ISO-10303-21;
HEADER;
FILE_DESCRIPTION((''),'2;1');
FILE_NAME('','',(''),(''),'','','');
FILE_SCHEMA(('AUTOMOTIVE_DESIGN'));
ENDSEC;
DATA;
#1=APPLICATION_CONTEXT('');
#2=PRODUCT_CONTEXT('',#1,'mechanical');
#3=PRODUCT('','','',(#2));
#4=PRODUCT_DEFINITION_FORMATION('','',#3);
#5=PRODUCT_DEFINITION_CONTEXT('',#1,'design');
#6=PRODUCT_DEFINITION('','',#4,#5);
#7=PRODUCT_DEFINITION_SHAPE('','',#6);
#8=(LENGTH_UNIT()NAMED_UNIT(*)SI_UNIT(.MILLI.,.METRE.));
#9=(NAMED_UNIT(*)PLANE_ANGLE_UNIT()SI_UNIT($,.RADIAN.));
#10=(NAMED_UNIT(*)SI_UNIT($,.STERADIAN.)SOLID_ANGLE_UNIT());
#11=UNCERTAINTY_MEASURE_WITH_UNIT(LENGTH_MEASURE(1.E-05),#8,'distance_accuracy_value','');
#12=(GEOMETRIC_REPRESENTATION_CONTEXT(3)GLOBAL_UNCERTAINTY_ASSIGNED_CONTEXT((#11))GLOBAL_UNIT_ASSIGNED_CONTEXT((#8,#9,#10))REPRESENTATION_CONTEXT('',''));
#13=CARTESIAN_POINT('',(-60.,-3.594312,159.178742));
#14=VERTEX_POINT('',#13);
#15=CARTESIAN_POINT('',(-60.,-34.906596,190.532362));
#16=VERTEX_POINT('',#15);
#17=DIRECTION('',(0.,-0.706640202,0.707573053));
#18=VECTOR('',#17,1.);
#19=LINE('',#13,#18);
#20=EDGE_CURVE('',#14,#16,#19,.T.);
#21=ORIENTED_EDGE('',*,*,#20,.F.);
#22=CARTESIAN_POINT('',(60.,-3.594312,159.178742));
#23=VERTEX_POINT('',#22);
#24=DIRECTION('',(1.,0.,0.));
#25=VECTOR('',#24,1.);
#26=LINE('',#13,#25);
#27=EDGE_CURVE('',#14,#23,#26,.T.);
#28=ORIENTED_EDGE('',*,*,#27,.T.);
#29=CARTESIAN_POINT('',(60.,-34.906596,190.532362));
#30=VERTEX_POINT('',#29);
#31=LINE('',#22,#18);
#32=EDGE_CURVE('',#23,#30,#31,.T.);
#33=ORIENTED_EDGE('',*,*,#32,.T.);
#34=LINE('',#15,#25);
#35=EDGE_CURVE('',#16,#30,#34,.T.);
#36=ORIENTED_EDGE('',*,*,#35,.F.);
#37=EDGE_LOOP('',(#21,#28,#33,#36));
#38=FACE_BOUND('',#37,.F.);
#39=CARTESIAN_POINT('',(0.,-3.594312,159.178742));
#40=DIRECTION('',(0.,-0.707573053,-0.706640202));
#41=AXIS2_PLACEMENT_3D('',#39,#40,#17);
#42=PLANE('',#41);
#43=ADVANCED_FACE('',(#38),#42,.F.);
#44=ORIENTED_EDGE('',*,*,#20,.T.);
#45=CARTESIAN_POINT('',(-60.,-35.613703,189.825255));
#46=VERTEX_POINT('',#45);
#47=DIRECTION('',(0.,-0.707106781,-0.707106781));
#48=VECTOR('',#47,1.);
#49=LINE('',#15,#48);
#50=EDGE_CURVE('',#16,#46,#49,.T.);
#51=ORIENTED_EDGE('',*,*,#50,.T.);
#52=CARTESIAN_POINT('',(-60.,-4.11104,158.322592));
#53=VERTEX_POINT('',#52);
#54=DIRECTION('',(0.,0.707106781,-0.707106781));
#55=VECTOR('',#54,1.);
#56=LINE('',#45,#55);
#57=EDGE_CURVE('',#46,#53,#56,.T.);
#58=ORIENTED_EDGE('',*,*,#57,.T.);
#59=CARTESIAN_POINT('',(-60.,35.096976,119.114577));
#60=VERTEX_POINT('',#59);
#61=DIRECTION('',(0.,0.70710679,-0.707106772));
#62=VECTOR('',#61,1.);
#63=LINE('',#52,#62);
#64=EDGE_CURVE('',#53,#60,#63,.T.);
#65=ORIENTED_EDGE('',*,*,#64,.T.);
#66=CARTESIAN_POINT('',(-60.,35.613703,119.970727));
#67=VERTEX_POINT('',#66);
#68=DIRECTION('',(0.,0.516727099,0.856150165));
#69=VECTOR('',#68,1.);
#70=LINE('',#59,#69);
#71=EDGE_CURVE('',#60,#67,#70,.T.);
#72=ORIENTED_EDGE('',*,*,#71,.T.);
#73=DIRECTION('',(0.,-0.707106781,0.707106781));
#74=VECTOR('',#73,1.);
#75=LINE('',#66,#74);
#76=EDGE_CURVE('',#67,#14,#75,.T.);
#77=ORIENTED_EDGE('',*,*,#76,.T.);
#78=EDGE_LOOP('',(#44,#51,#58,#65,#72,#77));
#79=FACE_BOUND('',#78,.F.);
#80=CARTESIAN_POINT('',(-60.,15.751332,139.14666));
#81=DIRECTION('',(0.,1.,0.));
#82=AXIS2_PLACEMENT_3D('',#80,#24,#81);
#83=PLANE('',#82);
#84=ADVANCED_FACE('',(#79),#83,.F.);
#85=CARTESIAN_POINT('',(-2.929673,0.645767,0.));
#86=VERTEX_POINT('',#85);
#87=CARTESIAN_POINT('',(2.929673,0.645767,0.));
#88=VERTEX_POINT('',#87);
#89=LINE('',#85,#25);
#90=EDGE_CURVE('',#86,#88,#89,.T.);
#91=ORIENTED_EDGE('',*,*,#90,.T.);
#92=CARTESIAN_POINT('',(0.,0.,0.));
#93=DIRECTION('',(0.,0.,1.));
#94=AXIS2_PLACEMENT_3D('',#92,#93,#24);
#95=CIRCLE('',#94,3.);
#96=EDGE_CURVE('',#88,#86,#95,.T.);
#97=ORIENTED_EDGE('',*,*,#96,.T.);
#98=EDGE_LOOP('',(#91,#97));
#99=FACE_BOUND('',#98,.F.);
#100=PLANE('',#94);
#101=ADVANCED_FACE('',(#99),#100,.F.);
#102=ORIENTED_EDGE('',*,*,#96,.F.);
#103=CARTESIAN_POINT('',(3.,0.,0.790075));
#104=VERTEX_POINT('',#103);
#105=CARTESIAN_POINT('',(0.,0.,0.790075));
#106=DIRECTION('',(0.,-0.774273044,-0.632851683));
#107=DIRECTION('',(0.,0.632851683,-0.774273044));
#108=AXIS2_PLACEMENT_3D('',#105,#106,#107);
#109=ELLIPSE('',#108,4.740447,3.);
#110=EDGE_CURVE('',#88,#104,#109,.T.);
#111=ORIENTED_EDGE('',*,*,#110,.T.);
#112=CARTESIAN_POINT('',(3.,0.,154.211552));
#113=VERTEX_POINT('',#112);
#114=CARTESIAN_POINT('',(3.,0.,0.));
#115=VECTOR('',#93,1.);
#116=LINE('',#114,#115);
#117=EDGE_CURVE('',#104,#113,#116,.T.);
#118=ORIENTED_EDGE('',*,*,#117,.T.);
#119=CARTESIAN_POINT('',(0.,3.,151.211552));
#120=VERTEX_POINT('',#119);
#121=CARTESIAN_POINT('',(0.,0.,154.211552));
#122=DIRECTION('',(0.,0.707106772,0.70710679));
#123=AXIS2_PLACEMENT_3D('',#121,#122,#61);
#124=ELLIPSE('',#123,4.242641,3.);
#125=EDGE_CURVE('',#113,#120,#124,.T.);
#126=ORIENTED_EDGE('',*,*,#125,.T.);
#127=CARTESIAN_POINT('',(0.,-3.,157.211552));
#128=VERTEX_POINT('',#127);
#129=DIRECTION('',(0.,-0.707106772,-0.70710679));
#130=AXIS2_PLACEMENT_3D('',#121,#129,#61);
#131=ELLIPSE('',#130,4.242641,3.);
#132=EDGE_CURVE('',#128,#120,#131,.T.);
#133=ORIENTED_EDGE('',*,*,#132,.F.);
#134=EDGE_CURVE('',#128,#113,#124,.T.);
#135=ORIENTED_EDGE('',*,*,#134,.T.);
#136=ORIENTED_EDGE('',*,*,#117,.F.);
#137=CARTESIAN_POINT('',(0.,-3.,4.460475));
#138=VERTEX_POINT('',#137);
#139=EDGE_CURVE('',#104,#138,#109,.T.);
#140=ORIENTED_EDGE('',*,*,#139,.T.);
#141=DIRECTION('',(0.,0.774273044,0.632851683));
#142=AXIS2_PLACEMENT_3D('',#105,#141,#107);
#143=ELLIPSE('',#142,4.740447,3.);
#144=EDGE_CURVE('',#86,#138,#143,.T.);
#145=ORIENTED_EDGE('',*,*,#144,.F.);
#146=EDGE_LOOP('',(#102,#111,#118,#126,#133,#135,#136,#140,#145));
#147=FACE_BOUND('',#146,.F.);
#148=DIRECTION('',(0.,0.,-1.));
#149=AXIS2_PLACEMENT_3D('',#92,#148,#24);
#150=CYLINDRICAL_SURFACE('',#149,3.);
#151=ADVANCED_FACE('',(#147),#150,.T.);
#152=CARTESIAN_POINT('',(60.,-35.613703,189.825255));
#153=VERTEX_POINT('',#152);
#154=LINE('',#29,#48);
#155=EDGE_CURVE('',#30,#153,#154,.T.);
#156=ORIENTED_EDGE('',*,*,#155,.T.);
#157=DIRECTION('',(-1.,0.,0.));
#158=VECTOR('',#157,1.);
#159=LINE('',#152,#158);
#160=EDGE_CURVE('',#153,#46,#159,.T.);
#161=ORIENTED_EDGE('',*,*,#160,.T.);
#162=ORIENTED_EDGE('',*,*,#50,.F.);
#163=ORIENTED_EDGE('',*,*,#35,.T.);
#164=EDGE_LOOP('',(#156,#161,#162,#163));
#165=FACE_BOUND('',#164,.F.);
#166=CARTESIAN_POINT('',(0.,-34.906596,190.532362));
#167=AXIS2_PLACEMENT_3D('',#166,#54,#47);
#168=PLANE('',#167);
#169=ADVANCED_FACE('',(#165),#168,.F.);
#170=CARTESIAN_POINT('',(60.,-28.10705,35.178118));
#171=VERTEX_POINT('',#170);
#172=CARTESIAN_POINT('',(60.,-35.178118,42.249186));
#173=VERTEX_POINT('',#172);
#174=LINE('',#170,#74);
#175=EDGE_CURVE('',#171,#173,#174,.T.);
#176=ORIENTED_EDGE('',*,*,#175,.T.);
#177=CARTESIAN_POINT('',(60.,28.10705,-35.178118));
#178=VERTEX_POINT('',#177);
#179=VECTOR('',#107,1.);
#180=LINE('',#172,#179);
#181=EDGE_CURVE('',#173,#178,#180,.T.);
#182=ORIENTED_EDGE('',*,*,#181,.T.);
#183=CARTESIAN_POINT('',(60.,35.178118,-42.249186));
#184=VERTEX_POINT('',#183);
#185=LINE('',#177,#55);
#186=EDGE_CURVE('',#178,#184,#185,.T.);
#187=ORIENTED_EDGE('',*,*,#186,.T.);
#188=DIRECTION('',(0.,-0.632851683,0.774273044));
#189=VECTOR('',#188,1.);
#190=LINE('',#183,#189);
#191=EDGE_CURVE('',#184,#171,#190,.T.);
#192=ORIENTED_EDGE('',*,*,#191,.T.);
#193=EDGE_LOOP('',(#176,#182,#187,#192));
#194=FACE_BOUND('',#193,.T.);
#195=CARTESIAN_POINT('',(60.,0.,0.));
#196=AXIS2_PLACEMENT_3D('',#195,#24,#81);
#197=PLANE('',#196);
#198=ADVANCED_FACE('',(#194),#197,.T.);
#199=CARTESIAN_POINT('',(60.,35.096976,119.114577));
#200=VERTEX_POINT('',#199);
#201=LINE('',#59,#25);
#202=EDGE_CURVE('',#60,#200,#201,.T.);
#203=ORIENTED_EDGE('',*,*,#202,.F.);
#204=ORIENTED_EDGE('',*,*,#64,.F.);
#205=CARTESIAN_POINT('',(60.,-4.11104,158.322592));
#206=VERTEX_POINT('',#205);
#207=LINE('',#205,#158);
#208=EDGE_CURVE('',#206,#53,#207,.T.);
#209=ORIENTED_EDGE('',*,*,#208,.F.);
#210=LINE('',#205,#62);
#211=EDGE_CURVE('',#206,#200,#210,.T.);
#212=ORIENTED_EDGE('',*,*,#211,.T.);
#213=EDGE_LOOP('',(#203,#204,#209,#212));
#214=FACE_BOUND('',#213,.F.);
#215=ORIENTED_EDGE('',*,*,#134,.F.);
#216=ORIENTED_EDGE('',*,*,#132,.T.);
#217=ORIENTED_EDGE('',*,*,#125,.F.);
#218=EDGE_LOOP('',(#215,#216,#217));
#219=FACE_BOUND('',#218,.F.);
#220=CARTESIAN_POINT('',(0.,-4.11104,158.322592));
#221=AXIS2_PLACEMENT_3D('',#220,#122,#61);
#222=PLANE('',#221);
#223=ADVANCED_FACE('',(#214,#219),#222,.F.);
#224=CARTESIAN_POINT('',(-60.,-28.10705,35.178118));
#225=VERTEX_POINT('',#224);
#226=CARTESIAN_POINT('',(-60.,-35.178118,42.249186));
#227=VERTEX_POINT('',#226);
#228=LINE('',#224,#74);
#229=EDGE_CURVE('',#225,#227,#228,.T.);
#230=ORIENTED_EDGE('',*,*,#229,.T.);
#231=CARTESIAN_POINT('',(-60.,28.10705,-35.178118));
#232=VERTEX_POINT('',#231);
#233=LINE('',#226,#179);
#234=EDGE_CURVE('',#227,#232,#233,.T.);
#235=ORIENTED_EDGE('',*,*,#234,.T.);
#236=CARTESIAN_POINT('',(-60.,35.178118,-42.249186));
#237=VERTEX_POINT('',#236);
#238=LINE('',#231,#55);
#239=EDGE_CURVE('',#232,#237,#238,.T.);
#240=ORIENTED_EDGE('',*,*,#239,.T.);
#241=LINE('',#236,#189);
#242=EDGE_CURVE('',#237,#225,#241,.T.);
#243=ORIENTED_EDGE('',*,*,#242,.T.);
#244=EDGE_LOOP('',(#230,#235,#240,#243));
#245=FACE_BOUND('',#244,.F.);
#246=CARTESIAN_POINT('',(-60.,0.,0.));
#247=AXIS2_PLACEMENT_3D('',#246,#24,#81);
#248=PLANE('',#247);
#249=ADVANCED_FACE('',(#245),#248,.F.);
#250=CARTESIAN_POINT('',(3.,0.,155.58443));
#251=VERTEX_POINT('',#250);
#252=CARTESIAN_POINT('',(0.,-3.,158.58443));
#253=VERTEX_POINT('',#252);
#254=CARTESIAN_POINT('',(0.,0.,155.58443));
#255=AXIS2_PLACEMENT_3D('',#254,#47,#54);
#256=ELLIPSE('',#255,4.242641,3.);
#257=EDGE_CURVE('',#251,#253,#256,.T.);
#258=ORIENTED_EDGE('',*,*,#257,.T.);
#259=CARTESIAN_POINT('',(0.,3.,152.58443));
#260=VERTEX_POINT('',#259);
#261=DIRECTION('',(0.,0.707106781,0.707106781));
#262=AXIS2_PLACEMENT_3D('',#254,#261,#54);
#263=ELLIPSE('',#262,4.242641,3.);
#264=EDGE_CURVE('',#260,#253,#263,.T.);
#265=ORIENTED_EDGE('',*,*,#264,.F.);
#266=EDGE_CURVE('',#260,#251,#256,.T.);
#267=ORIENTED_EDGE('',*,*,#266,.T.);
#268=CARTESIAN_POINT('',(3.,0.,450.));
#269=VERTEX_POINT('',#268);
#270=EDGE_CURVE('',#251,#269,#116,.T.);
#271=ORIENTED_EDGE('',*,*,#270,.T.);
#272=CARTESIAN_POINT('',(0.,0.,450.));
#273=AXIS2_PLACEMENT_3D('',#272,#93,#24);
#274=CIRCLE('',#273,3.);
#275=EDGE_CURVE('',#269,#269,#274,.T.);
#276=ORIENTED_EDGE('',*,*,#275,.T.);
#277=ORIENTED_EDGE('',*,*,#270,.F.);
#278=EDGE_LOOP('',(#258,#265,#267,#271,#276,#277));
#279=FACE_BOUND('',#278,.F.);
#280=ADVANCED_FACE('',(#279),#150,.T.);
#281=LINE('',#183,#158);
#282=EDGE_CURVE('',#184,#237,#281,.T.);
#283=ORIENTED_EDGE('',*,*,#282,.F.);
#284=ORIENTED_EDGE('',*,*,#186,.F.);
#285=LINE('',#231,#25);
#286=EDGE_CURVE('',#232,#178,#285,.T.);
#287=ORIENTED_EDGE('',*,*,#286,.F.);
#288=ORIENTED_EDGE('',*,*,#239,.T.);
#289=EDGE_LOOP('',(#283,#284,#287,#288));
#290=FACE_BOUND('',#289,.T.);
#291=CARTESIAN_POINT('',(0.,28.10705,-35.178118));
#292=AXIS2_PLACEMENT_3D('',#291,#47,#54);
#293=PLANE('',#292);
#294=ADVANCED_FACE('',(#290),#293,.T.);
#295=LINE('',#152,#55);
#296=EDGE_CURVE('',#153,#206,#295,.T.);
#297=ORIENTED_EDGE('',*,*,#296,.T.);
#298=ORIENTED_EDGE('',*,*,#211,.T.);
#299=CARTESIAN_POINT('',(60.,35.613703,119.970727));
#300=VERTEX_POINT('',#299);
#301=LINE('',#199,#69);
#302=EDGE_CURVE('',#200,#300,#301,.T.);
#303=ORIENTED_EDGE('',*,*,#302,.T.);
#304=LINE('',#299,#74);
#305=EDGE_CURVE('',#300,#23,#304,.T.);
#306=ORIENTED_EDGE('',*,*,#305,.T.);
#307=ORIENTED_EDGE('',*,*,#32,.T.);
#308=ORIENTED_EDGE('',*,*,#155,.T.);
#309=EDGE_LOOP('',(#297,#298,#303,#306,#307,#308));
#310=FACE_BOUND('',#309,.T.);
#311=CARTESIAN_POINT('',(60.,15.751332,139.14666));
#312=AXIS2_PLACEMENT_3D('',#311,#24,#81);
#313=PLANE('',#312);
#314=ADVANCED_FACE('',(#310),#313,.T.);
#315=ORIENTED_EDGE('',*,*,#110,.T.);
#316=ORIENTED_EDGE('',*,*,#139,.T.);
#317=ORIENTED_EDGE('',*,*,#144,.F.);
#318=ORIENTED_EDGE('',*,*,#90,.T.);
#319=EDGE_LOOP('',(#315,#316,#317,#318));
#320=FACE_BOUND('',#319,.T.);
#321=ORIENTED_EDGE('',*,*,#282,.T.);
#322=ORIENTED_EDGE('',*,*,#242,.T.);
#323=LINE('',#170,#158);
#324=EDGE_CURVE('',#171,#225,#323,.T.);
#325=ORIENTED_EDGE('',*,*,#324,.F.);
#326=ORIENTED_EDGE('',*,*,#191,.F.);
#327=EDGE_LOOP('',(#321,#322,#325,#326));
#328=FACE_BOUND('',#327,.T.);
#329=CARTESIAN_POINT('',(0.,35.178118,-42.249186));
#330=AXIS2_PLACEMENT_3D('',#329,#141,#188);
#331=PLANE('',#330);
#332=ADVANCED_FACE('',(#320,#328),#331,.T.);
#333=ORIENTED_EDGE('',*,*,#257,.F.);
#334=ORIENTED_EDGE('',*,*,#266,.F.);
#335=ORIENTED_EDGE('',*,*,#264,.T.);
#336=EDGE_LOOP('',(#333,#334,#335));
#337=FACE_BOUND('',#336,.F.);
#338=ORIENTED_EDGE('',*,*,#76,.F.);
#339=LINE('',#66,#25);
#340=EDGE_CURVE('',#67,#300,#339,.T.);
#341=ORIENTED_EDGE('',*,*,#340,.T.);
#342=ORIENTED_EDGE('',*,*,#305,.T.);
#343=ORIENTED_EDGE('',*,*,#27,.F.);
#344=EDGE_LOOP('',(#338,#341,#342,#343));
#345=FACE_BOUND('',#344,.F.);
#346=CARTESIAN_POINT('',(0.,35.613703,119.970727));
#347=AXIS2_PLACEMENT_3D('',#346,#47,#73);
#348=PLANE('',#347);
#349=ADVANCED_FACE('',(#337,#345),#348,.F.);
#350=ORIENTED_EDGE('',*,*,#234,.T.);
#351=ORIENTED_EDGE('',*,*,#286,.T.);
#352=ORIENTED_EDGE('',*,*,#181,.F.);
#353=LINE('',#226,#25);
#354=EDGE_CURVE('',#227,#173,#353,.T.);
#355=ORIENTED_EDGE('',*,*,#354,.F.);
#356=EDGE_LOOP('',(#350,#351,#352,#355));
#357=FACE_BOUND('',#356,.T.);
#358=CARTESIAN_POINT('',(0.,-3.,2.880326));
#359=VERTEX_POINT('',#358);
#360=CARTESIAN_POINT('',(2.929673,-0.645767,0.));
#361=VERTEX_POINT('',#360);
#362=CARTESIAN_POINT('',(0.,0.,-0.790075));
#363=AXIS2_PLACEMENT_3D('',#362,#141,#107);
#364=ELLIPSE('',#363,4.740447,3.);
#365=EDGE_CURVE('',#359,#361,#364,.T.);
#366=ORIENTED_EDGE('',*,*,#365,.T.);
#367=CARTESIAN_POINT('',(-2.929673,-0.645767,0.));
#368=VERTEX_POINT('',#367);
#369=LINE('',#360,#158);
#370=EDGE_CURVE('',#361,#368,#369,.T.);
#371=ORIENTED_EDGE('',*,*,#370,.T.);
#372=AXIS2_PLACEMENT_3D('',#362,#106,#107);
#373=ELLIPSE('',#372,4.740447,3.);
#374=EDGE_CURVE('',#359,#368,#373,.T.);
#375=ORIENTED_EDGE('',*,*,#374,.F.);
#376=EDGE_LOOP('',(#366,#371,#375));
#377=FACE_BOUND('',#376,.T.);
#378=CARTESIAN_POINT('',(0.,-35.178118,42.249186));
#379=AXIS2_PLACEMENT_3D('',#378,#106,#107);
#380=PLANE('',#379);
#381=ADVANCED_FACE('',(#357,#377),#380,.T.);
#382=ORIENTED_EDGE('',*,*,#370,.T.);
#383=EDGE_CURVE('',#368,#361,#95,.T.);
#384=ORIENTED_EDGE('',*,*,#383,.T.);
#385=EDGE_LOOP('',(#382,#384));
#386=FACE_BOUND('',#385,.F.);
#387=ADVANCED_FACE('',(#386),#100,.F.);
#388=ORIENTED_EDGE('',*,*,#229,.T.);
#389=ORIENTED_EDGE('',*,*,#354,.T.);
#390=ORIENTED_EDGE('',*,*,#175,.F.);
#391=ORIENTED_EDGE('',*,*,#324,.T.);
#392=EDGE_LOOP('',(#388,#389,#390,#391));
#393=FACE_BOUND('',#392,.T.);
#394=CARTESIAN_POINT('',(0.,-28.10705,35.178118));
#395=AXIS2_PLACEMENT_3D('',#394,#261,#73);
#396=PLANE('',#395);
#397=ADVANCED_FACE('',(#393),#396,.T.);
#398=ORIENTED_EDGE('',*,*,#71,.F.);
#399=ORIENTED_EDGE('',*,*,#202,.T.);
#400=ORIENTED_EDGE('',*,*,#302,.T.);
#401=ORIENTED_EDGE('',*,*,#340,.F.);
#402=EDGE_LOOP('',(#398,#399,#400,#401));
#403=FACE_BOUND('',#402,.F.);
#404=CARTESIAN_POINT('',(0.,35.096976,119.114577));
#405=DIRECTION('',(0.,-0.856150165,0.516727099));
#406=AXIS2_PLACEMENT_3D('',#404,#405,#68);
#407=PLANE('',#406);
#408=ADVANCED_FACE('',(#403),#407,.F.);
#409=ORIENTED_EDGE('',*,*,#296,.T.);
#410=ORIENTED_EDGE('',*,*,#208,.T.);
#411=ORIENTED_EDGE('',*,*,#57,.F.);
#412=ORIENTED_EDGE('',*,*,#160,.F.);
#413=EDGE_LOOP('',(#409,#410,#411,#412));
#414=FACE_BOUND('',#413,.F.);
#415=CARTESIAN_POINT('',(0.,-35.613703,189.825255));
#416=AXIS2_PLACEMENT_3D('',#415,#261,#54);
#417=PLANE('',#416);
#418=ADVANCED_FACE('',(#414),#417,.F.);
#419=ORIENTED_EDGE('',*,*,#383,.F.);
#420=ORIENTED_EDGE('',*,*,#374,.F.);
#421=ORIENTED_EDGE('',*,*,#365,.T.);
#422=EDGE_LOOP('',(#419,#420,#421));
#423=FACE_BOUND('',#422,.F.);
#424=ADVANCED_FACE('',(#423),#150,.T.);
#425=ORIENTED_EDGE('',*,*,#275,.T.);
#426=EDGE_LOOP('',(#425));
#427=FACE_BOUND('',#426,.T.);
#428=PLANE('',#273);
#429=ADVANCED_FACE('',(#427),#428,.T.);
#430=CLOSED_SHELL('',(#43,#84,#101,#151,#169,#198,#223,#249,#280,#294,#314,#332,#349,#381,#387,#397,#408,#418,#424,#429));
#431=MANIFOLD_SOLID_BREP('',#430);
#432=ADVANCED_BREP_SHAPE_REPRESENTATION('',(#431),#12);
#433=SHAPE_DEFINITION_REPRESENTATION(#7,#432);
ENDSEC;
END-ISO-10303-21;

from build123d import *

# Parameters (mm, degrees)
F0_R          = 3
F1_DEPTH      = 450
F3_DEPTH      = 60
F3_DEPTH_BACK = 60


with BuildPart() as f1:
    # F0 (on Top) → F1 (new body)
    with BuildSketch(Plane.XY):
        Circle(F0_R)
    extrude(amount=F1_DEPTH)

    # F2 (on Right) → F3 (join, two sides)
    with BuildSketch(Plane.YZ) as f3_sk:
        Polygon((-28.10705, 35.178118), (-35.178118, 42.249186), (28.10705, -35.178118), (35.178118, -42.249186), align=None)
        Polygon((35.096976, 119.114577), (35.613703, 119.970727), (-3.594312, 159.178742), (-4.11104, 158.322592), align=None)
        Polygon((-4.11104, 158.322592), (-3.594312, 159.178742), (-34.906596, 190.532362), (-35.613703, 189.825255), align=None)
    extrude(amount=F3_DEPTH)
    extrude(f3_sk.sketch, amount=-F3_DEPTH_BACK)


solid = f1.part
